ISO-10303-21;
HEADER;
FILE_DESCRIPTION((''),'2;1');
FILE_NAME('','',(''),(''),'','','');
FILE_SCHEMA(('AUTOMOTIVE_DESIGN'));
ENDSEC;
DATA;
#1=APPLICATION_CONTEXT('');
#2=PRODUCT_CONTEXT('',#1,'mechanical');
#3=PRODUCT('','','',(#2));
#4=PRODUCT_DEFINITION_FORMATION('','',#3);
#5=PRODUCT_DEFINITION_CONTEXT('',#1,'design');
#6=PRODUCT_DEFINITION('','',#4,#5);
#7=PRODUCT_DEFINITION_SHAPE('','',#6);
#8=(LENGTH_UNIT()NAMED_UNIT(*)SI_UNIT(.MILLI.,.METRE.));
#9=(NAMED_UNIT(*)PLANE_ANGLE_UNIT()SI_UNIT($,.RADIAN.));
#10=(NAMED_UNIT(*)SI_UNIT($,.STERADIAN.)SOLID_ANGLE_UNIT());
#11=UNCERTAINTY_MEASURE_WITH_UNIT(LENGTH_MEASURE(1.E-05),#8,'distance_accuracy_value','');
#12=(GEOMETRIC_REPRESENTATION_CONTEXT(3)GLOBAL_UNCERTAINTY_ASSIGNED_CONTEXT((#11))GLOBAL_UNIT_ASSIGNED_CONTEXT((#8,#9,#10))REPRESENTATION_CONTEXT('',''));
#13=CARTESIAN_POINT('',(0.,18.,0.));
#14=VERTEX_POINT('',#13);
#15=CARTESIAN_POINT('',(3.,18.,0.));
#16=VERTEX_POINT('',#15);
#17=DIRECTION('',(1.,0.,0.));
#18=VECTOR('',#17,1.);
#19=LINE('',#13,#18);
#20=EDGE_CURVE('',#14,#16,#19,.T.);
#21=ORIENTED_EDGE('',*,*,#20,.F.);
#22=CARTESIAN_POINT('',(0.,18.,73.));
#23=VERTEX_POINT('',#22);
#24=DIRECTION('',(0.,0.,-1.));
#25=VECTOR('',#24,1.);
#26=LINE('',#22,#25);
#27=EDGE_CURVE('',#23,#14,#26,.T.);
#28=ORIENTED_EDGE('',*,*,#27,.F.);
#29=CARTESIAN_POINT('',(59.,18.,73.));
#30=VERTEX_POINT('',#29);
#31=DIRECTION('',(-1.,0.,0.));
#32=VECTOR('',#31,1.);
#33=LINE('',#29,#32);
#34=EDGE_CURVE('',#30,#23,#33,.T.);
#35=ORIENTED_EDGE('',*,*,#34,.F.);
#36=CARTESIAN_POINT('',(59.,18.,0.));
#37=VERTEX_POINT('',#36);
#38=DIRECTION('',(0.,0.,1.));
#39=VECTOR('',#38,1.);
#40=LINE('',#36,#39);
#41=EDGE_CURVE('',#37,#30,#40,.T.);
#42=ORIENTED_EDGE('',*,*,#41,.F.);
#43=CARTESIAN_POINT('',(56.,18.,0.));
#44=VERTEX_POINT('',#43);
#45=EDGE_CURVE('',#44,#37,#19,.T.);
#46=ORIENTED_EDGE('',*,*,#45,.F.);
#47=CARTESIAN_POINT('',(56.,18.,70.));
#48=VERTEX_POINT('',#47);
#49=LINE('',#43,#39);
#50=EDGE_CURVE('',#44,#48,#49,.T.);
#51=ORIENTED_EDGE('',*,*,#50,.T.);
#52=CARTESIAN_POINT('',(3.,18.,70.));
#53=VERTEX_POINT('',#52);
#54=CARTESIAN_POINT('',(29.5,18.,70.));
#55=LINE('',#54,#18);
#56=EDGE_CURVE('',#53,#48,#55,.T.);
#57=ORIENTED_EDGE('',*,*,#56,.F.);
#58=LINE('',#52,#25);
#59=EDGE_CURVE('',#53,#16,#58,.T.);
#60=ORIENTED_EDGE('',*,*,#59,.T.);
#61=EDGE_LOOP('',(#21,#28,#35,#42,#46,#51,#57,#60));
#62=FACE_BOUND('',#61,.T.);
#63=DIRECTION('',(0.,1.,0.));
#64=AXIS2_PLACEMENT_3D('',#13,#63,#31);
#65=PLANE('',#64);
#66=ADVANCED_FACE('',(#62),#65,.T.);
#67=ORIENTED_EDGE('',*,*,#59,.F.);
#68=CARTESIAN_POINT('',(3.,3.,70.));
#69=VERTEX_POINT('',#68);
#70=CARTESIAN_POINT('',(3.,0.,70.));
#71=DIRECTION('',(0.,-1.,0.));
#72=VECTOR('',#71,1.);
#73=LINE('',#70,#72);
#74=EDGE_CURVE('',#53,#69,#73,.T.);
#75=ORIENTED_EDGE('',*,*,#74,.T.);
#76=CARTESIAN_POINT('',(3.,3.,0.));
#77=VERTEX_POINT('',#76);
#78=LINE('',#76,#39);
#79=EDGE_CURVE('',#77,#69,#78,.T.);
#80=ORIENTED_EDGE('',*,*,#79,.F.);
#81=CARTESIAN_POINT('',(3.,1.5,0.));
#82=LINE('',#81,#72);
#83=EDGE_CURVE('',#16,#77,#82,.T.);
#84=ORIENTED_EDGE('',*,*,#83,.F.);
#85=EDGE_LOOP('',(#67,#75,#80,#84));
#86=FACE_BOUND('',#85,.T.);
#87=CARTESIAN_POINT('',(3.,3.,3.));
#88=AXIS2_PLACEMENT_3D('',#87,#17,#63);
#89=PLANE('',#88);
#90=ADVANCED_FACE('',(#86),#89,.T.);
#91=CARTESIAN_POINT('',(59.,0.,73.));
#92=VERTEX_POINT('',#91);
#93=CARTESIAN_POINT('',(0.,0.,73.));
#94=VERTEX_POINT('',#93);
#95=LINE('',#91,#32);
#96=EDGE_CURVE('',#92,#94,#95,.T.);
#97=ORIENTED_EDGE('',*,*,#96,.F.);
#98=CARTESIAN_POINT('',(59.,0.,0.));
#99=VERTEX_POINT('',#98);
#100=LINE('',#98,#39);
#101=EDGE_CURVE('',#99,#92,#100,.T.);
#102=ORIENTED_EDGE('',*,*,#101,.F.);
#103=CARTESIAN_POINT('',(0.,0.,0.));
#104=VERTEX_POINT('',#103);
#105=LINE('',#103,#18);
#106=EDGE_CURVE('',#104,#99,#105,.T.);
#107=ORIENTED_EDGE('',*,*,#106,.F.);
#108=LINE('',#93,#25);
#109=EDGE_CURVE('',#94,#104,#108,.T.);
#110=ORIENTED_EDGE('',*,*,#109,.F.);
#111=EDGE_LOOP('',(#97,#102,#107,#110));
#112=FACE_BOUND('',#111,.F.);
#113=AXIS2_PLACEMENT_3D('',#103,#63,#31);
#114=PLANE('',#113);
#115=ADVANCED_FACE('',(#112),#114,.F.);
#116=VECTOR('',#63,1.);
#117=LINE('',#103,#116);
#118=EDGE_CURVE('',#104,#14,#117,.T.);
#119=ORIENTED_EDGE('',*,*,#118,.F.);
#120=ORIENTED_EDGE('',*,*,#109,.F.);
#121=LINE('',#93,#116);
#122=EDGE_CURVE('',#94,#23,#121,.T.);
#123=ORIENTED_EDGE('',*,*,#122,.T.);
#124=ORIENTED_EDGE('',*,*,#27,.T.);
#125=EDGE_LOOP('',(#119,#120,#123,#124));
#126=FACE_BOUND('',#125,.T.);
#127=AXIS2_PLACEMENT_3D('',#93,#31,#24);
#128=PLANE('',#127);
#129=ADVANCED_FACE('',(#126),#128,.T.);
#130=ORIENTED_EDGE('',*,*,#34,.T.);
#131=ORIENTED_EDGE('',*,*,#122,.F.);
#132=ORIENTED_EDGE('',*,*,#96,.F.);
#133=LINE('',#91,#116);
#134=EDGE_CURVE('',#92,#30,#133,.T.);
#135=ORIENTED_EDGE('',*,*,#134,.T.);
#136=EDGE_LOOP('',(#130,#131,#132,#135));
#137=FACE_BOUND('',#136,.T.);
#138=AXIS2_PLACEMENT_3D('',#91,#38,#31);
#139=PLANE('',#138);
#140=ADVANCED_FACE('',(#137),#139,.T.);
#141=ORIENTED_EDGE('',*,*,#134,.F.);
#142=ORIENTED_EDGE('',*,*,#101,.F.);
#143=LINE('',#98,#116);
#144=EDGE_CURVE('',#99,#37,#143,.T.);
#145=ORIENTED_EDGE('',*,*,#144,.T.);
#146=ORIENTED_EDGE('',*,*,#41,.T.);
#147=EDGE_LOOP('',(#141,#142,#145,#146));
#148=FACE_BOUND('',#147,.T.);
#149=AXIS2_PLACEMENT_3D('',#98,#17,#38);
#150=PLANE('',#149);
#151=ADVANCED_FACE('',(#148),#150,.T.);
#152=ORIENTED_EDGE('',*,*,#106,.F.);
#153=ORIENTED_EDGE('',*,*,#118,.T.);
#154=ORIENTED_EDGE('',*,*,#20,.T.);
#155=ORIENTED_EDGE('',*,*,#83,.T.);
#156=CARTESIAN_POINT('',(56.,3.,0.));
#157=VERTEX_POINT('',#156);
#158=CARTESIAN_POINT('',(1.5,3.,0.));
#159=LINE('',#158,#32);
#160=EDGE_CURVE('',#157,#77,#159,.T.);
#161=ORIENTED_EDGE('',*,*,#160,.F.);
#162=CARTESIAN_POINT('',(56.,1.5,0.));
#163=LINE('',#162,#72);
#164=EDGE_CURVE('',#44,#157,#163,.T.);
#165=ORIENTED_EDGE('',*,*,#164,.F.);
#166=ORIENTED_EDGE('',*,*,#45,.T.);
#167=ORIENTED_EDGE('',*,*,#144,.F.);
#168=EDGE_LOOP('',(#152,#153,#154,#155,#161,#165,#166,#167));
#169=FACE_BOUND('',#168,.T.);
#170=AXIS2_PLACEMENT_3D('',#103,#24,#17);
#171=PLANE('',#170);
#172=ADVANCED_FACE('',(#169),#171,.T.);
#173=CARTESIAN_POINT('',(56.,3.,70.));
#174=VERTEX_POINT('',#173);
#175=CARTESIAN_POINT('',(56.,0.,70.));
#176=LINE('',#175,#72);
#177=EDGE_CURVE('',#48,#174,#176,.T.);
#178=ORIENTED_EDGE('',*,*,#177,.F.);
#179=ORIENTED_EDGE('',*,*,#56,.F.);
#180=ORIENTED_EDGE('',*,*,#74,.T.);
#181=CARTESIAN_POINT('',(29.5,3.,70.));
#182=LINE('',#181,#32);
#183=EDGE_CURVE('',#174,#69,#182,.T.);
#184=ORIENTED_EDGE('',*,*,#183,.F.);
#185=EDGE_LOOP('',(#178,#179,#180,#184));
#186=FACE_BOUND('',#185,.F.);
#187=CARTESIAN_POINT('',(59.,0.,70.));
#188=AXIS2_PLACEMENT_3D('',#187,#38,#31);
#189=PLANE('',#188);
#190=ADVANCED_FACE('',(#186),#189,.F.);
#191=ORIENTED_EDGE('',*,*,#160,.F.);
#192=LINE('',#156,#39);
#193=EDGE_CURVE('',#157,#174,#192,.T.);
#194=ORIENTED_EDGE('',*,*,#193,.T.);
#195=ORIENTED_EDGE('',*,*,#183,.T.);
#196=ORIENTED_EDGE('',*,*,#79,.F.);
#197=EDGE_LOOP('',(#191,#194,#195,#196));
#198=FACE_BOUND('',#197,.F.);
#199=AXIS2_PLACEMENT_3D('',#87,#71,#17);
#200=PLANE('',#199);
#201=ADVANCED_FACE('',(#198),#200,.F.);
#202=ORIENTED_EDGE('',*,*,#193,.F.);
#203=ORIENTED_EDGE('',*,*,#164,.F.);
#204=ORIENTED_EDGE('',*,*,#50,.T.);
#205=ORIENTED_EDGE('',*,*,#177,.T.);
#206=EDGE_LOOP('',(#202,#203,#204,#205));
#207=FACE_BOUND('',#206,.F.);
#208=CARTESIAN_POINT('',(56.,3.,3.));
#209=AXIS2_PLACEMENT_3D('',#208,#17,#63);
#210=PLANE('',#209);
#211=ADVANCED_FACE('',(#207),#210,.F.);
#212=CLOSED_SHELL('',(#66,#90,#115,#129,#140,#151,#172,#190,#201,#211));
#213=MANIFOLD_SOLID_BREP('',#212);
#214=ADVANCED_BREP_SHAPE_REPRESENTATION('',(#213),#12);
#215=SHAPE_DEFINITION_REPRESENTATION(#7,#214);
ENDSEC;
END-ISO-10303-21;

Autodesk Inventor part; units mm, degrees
ref_plane "YZ Plane" through (0, 0, 0) normal (1, 0, 0) x (0, 1, 0)
ref_plane "XZ Plane" through (0, 0, 0) normal (0, 1, 0) x (-1, 0, 0)
ref_plane "XY Plane" through (0, 0, 0) normal (0, 0, 1) x (1, 0, 0)
sketch "Sketch2" plane through (0, 0, 0) normal (0, 1, 0) x (-1, 0, 0)
  line L0 (0, 0) -> (-59, 0)
  line L1 (-59, 0) -> (-59, 73)
  line L2 (-59, 73) -> (0, 73)
  line L3 (0, 73) -> (0, 0)
  dimension "d0" = 59
  dimension "d1" = 73
extrude "Extrusion1" add sketch "Sketch2" along normal blind 18
shell "Shell1" thickness 3 removed faces 1 at (19.6667, 18, 24.3333)
sketch "Sketch4" plane through (59, 0, 0) normal (0, 0, -1) x (-1, 0, 0)
  point P0 (59, 0)
sketch "Sketch5" plane through (3, 3, 3) normal (0, 0, 1) x (1, 0, 0)
  line L0 (0, 0) -> (0, 15) projected
  line L1 (0, 15) -> (53, 15) projected
  line L2 (0, 0) -> (53, 0)
  line L3 (53, 0) -> (53, 15)
  line L4 (53, 15) -> (0, 15)
  line L5 (0, 15) -> (0, 0)
  point P0 (-3, -3)
extrude "Extrusion3" cut sketch "Sketch5" against normal blind 10
properties part number "arduino array box v02"
